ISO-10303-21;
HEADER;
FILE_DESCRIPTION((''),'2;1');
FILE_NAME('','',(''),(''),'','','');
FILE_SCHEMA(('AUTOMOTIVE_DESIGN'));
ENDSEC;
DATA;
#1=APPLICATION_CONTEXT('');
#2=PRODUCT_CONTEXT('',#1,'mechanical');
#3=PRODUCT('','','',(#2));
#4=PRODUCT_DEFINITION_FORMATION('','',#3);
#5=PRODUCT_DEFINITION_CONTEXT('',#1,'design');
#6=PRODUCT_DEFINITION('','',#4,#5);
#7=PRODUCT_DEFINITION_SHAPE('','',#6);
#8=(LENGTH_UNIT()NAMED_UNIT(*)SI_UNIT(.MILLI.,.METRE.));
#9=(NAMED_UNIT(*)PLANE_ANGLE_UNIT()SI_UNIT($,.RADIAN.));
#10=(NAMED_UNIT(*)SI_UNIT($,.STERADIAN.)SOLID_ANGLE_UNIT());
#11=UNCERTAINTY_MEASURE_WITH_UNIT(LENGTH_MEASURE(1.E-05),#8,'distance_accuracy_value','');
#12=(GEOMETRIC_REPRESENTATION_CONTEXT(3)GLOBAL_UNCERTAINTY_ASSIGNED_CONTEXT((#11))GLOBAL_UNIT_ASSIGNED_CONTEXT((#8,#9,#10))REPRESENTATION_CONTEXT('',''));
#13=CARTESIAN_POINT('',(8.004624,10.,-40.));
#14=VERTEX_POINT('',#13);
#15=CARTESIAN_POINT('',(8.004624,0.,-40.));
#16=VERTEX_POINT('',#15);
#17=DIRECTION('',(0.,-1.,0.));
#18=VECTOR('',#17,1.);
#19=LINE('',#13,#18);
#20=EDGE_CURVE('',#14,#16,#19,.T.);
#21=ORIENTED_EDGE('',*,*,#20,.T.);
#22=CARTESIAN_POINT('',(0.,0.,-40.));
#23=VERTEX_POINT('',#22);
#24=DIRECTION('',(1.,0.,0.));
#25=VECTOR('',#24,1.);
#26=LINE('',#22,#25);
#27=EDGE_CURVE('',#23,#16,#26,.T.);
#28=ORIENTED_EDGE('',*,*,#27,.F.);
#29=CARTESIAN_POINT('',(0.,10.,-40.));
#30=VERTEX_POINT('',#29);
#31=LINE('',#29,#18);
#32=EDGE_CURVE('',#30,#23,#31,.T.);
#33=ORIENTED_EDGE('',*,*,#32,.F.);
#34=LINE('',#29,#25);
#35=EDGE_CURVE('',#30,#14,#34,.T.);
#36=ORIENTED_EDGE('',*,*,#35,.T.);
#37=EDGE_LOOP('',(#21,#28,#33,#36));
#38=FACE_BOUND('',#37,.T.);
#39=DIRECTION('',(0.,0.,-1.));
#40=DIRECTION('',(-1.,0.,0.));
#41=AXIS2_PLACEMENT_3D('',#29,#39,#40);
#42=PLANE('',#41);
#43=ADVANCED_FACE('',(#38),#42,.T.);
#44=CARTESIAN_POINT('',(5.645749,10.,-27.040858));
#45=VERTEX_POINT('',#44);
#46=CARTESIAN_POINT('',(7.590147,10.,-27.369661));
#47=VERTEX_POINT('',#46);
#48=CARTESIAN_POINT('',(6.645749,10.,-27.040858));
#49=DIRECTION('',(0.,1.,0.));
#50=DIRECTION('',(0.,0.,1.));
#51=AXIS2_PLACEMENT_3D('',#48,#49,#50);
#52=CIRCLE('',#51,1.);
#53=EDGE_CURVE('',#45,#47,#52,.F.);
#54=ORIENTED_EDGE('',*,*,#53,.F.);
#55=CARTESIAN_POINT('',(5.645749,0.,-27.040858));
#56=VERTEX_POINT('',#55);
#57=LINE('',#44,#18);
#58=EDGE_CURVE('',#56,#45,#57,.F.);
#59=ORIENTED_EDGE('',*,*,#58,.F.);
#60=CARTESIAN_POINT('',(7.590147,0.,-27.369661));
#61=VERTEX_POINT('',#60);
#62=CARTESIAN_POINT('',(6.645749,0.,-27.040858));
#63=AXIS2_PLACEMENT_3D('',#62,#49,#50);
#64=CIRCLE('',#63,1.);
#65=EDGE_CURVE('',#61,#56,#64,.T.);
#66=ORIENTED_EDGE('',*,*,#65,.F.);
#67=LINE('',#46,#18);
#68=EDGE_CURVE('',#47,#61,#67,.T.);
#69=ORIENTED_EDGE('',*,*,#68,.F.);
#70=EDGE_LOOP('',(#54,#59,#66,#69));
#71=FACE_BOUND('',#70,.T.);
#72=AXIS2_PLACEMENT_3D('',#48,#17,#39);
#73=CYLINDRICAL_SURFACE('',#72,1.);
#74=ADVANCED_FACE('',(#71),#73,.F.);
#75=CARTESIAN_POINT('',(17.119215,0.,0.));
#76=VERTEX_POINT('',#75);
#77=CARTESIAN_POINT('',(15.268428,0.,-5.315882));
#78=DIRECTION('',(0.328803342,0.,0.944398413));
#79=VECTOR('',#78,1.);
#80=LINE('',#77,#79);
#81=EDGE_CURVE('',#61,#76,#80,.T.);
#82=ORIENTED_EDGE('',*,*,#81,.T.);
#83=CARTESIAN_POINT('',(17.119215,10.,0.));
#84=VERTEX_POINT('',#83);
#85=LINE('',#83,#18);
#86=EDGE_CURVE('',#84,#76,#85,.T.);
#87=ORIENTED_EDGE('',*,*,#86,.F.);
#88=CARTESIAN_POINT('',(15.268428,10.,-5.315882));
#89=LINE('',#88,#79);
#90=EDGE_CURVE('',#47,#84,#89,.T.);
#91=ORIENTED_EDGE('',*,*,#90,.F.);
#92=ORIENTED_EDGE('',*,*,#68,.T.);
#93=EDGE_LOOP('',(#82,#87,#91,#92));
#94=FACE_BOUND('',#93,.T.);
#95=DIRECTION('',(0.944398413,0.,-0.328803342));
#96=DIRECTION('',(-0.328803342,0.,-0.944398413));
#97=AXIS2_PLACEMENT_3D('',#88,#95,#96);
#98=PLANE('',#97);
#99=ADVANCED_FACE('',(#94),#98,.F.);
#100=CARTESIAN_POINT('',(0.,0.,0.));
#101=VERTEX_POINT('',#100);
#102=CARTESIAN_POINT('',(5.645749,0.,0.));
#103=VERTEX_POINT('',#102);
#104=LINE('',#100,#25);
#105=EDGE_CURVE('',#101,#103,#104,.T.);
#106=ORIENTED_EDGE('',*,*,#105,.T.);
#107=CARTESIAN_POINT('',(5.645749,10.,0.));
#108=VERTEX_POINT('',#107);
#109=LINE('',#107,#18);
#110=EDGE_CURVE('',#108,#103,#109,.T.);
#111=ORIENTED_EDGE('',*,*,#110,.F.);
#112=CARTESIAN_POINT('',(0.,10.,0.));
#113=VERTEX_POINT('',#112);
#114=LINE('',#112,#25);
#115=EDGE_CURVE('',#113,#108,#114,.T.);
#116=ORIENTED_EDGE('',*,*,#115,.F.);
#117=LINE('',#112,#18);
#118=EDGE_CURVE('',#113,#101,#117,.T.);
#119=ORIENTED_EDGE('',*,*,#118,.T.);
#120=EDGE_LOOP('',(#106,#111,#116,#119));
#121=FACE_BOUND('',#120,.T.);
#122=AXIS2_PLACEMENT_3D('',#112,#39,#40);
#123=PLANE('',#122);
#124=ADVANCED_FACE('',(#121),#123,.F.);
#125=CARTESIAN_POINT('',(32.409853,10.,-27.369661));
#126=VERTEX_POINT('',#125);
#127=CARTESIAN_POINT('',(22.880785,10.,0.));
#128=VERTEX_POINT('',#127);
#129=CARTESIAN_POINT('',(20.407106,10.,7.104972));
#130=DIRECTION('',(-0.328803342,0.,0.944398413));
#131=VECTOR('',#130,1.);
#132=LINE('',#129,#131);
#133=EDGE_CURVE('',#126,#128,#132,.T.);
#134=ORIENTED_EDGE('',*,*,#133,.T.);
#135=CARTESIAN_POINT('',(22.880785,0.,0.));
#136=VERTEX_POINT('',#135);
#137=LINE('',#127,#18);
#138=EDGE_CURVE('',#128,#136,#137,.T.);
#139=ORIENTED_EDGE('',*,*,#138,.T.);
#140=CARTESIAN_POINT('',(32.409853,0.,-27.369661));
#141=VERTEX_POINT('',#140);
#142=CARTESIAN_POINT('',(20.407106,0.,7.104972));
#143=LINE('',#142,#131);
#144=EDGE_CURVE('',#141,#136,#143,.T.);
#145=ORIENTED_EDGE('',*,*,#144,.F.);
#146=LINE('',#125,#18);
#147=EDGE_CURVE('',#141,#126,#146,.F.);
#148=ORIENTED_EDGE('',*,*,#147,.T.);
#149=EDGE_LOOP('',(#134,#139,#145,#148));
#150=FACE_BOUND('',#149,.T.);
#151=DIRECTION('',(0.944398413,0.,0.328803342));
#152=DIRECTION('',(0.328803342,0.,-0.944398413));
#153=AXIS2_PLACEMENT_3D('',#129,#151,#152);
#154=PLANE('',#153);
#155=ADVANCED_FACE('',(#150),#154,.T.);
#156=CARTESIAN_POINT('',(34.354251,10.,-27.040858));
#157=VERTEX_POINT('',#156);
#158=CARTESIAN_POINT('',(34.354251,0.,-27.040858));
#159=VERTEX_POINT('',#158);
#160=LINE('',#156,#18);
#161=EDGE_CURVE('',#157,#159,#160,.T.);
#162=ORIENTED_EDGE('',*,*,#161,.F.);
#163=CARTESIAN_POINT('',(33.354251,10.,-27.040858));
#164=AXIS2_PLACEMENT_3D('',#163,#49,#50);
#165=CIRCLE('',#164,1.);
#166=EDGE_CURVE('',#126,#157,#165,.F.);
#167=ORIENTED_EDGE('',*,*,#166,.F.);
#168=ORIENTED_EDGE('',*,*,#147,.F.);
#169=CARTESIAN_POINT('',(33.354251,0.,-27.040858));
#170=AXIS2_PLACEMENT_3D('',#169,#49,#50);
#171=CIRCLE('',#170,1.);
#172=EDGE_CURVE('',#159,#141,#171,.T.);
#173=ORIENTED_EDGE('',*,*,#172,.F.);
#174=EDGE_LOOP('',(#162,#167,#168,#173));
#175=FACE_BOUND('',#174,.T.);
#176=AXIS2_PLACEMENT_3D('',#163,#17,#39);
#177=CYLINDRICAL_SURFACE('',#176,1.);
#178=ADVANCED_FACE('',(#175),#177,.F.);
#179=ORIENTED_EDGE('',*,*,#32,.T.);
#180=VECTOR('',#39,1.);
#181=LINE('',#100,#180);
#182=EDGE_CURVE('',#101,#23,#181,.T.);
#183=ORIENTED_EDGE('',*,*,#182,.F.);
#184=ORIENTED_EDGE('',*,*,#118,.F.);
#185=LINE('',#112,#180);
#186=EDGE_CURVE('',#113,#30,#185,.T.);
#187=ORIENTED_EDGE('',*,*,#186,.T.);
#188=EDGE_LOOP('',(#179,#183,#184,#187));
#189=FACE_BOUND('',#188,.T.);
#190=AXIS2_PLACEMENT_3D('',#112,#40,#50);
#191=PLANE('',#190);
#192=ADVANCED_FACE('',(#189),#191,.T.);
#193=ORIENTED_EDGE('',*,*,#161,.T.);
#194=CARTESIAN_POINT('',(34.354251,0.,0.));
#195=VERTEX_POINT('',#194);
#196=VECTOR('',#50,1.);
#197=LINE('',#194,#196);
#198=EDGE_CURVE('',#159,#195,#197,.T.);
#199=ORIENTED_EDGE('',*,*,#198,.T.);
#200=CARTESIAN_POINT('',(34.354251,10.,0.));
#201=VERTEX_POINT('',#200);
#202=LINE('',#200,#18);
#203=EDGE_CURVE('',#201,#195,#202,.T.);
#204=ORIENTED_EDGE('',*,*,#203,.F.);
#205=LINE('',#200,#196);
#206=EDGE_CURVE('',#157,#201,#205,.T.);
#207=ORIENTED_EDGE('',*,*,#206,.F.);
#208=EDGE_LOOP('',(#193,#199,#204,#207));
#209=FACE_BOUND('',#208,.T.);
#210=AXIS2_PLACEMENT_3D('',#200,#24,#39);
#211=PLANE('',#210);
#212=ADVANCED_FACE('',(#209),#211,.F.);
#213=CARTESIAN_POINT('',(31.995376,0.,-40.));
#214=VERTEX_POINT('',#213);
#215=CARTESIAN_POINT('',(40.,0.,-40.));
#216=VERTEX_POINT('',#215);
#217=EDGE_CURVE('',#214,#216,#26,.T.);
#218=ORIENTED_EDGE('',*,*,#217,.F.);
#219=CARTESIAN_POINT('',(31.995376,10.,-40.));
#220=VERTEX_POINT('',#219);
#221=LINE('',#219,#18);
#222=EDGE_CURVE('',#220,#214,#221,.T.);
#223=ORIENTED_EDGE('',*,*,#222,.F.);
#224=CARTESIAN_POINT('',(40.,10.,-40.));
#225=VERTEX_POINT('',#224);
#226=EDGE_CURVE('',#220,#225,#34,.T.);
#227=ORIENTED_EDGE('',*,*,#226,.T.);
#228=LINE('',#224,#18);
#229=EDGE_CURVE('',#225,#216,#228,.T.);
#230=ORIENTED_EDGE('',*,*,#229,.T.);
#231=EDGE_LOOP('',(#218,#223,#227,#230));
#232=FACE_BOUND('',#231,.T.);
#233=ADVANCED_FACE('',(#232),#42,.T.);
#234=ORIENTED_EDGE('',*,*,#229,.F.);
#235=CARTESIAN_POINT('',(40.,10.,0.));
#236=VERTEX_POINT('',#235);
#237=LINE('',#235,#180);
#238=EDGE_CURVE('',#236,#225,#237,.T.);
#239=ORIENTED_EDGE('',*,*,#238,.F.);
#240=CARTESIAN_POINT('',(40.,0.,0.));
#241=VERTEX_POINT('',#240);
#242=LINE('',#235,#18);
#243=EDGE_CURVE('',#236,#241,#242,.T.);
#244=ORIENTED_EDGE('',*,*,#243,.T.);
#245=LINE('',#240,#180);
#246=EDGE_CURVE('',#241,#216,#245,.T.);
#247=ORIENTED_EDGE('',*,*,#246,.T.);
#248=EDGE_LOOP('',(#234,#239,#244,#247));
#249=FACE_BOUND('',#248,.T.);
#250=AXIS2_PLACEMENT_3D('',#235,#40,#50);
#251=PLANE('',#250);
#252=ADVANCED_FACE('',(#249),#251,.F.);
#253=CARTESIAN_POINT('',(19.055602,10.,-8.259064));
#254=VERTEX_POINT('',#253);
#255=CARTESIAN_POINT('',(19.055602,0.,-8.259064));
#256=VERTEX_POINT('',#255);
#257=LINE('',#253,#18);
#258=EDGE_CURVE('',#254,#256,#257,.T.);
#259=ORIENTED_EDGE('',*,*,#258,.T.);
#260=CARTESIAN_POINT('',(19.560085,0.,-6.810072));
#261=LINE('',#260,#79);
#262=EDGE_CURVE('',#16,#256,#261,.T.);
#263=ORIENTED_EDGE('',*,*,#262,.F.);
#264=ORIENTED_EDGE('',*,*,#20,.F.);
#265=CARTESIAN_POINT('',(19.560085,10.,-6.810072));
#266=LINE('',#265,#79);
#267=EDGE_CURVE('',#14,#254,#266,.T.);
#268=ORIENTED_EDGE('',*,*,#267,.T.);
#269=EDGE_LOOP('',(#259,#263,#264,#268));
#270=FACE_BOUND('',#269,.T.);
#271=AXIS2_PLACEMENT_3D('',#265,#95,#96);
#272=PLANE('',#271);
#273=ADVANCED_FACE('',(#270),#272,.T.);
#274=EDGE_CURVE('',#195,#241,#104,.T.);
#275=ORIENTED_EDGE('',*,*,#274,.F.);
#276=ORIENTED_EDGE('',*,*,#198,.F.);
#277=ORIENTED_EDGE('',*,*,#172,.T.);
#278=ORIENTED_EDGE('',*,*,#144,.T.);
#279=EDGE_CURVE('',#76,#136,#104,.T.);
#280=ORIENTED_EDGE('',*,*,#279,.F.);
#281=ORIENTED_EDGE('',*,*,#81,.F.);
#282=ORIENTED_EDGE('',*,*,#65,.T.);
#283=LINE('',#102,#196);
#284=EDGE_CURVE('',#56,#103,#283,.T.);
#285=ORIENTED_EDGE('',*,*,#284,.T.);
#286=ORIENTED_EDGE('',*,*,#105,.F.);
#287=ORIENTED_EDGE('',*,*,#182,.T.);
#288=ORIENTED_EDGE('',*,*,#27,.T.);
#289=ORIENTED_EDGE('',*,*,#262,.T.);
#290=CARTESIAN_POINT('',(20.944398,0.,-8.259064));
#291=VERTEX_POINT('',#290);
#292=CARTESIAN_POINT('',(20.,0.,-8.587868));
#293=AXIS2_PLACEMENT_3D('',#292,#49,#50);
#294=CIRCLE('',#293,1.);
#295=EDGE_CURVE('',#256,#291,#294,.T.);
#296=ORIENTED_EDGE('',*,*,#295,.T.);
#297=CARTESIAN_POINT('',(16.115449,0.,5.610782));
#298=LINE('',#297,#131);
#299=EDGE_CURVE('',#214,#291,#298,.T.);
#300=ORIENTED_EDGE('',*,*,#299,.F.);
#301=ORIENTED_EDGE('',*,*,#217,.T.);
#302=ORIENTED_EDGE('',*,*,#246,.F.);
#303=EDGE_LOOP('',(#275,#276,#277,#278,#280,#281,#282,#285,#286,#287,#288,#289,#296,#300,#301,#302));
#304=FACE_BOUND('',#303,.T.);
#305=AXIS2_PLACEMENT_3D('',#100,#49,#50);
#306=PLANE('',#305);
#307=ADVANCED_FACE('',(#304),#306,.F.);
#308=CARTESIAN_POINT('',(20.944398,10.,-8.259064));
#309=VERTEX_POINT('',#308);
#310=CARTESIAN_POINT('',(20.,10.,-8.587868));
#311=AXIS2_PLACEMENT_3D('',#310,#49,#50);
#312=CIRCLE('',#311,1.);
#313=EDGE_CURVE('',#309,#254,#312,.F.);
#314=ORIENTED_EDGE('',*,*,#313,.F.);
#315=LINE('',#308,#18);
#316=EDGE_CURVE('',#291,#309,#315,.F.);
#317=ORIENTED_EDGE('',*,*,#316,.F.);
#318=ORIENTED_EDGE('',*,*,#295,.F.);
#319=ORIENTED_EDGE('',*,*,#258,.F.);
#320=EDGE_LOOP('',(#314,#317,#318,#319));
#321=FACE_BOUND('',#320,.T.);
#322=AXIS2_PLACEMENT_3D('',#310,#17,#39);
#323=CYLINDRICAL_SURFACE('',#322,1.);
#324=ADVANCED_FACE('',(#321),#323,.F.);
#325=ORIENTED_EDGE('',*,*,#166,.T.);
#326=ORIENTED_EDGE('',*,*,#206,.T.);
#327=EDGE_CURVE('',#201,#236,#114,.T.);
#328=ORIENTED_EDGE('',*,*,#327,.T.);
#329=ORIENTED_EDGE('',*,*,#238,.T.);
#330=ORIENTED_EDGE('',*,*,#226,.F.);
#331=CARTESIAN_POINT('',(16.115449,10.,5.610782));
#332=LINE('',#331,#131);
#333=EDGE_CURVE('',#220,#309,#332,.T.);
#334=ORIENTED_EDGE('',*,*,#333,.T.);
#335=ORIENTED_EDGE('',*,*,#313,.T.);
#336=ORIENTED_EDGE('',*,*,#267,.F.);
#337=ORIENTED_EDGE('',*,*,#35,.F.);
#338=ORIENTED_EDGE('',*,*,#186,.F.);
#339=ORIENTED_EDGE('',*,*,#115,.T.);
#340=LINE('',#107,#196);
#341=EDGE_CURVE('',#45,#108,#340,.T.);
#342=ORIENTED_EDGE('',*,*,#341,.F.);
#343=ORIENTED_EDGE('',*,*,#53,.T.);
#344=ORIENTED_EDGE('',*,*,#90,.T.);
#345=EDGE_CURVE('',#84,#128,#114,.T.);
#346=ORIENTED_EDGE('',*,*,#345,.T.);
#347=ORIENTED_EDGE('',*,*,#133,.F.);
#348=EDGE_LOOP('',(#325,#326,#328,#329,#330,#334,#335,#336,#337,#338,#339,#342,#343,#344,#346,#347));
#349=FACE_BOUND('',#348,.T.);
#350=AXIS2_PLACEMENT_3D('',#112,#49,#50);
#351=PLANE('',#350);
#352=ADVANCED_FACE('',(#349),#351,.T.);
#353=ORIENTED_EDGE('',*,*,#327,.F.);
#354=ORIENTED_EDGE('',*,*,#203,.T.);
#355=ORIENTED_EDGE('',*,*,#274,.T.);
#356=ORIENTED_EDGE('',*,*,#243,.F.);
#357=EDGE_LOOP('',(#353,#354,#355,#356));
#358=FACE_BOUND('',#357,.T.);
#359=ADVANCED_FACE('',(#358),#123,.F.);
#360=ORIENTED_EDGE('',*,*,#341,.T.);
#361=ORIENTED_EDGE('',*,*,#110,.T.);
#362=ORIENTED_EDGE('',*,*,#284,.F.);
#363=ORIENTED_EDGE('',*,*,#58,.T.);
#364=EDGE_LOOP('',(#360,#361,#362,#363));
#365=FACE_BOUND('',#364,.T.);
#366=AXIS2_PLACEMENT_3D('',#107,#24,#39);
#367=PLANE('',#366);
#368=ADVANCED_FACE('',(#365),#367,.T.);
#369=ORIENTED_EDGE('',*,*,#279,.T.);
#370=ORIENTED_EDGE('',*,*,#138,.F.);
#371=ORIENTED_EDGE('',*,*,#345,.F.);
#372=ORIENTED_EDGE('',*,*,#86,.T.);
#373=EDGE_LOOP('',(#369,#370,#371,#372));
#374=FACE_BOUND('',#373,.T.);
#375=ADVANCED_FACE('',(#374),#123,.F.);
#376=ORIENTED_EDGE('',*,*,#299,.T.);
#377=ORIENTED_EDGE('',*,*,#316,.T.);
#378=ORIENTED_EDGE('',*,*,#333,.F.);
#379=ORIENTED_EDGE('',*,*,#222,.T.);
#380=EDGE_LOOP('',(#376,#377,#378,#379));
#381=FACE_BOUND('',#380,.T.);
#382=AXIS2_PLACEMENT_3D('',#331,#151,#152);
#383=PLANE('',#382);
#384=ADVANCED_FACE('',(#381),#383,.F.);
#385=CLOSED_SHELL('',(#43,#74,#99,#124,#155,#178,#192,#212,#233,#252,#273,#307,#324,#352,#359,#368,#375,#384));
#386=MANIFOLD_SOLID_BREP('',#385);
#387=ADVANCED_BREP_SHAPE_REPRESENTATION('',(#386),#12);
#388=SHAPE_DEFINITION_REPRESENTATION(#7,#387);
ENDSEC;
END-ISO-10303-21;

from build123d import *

# Parameters (mm, degrees)
BOSS_EXTRUDE1_DEPTH = 10
FILLET1_R           = 1


with BuildPart() as part:
    # Sketch1 → Boss-Extrude1 (new body)
    with BuildSketch(Plane(origin=(0, 0, 0), x_dir=(1, 0, 0), z_dir=(0, 1, 0))):
        Polygon((34.354251199, 32.954418358), (34.354251199, 0), (40, 0), (40, 40), (31.995376073, 40), (20, 5.546535934), (8.004623927, 40), (0, 40), (0, 0), (5.645748801, 0), (5.645748801, 32.954418358), (17.119214595, 0), (22.880785405, 0), align=None)
    extrude(amount=BOSS_EXTRUDE1_DEPTH)

    # Fillet1
    fillet1_edges = [part.edges().sort_by_distance(p)[0] for p in [
        (34.354251199, 5, -32.954418358),
        (5.645748801, 5, -32.954418358),
        (20, 5, -5.546535934),
    ]]
    fillet(fillet1_edges, radius=FILLET1_R)


solid = part.part
